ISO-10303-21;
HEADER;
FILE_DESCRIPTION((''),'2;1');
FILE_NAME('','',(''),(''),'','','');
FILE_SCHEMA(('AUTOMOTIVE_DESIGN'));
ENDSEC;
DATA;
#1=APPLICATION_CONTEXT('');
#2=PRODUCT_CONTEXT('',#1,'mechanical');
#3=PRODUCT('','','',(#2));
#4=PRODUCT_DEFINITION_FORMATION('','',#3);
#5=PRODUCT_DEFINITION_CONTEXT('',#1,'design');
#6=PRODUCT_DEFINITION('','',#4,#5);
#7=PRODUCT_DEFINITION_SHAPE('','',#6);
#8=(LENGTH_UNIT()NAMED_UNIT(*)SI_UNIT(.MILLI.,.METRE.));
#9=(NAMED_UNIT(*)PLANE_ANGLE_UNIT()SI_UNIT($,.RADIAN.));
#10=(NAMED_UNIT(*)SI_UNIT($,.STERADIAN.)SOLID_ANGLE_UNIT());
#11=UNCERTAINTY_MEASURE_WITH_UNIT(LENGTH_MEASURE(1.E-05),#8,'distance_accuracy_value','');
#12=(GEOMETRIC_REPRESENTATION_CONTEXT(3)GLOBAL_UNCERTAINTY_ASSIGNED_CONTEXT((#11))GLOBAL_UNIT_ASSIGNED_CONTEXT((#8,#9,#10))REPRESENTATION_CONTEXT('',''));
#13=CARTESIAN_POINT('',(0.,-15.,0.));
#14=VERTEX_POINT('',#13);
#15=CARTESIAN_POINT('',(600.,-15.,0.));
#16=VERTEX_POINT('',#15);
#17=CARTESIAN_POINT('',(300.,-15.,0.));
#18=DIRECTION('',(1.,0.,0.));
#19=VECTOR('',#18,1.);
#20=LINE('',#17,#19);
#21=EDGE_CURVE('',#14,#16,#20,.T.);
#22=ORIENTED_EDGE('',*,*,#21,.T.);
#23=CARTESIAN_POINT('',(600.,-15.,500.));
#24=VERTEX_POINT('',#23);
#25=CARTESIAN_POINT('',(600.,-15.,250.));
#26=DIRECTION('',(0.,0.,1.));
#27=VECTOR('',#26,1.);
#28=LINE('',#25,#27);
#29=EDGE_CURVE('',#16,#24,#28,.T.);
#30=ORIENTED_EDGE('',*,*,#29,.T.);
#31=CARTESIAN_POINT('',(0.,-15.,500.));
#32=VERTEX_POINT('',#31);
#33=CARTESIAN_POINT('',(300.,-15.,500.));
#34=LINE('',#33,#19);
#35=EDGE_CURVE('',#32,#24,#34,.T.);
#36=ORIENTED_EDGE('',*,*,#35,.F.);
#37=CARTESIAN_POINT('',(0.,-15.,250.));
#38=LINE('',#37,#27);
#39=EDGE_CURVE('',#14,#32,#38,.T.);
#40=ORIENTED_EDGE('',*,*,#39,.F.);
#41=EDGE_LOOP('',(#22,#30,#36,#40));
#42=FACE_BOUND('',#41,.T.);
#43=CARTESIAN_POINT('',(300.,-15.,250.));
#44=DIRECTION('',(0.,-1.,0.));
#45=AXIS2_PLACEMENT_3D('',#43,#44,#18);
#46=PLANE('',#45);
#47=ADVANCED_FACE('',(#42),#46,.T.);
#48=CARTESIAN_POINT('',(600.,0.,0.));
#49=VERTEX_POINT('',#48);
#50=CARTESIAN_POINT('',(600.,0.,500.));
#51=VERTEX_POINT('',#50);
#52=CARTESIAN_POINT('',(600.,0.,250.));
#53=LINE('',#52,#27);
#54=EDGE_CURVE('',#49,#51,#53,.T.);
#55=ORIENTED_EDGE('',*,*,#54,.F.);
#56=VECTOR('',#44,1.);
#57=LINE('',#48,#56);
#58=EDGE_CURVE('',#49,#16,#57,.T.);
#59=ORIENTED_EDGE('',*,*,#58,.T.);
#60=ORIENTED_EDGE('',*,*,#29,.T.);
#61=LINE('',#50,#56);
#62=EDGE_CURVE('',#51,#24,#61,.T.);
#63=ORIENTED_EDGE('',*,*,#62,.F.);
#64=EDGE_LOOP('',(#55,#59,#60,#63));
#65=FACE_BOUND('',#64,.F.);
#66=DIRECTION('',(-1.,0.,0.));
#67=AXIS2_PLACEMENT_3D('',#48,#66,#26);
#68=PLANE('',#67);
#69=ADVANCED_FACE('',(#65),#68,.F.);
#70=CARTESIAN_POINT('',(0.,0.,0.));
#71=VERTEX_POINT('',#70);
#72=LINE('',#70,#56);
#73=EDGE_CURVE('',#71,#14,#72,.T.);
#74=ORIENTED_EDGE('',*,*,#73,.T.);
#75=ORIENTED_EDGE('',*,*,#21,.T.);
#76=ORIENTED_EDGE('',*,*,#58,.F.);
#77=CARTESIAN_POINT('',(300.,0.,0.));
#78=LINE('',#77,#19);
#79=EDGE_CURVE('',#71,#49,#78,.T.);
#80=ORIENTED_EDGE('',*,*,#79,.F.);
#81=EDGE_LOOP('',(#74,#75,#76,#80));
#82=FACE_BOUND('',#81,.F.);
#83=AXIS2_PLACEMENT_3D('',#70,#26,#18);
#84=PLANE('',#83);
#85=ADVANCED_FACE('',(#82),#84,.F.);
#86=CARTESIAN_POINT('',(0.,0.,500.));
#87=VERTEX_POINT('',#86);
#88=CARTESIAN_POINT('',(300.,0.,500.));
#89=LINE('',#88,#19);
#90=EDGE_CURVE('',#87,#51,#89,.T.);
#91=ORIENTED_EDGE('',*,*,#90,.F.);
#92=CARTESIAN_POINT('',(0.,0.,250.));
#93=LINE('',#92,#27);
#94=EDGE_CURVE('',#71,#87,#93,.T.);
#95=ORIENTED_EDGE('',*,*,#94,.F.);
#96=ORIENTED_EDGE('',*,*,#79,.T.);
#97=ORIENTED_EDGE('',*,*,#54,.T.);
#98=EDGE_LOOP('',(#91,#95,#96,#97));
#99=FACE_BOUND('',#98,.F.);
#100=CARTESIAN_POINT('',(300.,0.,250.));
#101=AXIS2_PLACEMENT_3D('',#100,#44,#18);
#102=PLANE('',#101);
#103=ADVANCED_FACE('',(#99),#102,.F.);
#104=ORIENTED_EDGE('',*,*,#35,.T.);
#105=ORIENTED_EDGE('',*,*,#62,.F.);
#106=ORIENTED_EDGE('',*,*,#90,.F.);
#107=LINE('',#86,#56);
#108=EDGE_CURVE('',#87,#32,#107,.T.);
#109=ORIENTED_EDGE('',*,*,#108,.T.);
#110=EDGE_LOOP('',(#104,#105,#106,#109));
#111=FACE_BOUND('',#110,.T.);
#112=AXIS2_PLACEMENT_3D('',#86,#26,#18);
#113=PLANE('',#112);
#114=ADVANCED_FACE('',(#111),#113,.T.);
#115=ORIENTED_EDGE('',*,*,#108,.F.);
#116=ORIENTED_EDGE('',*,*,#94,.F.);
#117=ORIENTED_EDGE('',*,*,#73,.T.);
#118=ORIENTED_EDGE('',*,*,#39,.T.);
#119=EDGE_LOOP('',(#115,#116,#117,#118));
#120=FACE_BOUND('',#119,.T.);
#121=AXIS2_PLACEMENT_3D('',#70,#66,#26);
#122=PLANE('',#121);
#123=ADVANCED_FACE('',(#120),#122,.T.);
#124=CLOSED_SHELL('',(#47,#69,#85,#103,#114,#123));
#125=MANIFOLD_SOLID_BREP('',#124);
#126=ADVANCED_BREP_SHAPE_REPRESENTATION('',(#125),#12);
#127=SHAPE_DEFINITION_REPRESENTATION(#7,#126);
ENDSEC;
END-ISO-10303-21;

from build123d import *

# Parameters (mm, degrees)
SKETCH_W  = 600
SKETCH_H  = 500
PAD_DEPTH = 15


with BuildPart() as part:
    # Sketch → Pad (new body)
    with BuildSketch(Plane.XZ):
        with Locations((300, 250)):
            Rectangle(SKETCH_W, SKETCH_H)
    extrude(amount=PAD_DEPTH)


solid = part.part
